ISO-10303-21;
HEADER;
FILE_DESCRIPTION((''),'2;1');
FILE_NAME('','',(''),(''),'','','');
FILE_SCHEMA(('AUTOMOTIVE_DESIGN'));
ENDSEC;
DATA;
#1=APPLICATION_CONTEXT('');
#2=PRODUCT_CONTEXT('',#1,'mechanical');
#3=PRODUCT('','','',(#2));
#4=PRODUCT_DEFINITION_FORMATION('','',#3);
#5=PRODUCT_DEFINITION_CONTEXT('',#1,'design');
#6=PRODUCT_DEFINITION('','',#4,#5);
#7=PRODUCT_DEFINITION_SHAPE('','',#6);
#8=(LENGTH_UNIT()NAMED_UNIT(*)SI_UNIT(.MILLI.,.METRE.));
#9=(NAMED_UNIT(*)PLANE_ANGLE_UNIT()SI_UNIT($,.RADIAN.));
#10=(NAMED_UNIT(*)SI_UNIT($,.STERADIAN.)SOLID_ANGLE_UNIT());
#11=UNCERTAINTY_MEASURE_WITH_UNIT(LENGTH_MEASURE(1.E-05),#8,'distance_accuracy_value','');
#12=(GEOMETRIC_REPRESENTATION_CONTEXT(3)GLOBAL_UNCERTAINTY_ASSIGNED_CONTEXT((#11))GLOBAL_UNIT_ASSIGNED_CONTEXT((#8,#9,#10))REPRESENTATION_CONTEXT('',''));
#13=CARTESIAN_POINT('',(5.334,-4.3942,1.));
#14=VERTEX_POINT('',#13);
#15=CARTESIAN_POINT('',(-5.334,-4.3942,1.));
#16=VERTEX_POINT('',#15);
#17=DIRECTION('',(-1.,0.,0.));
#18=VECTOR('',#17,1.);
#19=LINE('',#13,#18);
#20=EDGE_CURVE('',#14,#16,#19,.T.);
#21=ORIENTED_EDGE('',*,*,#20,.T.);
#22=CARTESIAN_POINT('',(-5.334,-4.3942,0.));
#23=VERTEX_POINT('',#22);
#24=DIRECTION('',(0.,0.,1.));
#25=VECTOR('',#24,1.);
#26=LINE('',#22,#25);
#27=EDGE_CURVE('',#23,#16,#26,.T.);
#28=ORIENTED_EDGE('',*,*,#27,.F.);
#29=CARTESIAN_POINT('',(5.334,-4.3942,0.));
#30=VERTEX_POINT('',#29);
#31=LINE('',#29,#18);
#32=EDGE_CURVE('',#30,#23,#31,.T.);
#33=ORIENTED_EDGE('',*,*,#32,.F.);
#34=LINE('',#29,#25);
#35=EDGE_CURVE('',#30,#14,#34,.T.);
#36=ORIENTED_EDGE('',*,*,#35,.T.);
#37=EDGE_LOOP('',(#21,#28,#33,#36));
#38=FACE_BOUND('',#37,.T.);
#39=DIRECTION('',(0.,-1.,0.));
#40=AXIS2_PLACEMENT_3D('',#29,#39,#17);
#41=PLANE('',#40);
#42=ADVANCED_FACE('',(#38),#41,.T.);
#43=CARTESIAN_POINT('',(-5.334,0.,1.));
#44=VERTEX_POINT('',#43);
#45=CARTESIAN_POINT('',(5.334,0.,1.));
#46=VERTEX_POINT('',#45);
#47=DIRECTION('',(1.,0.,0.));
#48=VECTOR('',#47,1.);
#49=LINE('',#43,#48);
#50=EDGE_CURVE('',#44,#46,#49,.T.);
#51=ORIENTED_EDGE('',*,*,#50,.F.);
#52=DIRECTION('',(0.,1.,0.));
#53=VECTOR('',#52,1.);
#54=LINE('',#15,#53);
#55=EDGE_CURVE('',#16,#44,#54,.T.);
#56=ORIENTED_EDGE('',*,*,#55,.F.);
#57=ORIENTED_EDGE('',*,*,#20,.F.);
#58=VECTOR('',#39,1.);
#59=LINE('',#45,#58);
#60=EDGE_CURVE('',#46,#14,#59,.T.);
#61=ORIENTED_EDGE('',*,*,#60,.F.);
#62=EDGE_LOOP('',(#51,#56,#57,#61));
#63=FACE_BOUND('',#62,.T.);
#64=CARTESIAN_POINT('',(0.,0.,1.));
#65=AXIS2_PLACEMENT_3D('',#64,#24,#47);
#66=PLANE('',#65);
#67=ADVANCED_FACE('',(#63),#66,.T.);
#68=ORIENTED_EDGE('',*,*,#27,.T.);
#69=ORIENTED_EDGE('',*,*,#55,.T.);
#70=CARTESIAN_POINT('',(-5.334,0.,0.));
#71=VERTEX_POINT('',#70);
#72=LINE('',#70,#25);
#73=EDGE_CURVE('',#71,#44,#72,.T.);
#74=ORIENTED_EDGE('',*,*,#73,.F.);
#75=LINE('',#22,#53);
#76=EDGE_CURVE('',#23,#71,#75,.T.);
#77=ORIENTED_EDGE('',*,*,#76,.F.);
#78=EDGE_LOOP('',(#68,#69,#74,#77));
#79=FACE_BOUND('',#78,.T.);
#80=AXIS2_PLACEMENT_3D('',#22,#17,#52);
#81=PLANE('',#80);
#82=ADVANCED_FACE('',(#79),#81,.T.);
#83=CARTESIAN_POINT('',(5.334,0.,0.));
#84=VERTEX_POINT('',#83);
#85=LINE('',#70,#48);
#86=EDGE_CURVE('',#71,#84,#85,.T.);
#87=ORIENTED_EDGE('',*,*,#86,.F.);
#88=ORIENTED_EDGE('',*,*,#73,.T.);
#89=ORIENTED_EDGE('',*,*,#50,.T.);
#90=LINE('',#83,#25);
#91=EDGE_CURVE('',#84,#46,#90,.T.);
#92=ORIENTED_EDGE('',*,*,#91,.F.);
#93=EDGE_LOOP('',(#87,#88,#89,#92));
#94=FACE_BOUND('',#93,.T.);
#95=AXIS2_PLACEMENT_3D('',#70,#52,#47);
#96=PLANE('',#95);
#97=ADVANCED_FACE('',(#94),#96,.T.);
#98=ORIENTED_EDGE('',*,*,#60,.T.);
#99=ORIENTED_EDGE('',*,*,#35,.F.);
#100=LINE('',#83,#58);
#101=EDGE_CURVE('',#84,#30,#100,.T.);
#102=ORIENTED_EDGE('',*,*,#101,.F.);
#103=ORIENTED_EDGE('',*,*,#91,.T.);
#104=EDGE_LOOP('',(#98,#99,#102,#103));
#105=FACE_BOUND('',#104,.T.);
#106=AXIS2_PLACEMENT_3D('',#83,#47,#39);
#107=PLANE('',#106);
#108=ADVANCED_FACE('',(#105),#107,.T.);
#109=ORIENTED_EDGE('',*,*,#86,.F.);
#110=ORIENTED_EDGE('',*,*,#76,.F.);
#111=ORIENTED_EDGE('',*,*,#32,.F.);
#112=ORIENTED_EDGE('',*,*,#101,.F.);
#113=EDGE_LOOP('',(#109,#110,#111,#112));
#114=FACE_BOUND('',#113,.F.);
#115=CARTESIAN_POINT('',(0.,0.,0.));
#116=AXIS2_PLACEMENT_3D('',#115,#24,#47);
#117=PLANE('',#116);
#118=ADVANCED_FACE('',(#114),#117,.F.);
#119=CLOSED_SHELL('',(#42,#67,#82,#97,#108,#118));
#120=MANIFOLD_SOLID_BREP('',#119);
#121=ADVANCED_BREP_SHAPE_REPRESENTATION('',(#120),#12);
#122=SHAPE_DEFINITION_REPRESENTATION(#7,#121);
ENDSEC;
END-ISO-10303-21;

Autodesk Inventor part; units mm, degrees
ref_plane "YZ Plane" through (0, 0, 0) normal (1, 0, 0) x (0, 1, 0)
ref_plane "XZ Plane" through (0, 0, 0) normal (0, 1, 0) x (-1, 0, 0)
ref_plane "XY Plane" through (0, 0, 0) normal (0, 0, 1) x (1, 0, 0)
sketch "78XXS, IC2_78XXS_24" plane through (0, 0, 0) normal (0, 0, 1) x (1, 0, 0)
  line L0 (-5.334, 0) -> (5.334, 0)
  line L1 (5.334, 0) -> (5.334, -4.3942)
  line L2 (5.334, -4.3942) -> (-5.334, -4.3942)
  line L3 (-5.334, -4.3942) -> (-5.334, 0)
extrude "Extrusion1" add sketch "78XXS, IC2_78XXS_24" along normal blind 1
properties part number "IC2_78XXS"
